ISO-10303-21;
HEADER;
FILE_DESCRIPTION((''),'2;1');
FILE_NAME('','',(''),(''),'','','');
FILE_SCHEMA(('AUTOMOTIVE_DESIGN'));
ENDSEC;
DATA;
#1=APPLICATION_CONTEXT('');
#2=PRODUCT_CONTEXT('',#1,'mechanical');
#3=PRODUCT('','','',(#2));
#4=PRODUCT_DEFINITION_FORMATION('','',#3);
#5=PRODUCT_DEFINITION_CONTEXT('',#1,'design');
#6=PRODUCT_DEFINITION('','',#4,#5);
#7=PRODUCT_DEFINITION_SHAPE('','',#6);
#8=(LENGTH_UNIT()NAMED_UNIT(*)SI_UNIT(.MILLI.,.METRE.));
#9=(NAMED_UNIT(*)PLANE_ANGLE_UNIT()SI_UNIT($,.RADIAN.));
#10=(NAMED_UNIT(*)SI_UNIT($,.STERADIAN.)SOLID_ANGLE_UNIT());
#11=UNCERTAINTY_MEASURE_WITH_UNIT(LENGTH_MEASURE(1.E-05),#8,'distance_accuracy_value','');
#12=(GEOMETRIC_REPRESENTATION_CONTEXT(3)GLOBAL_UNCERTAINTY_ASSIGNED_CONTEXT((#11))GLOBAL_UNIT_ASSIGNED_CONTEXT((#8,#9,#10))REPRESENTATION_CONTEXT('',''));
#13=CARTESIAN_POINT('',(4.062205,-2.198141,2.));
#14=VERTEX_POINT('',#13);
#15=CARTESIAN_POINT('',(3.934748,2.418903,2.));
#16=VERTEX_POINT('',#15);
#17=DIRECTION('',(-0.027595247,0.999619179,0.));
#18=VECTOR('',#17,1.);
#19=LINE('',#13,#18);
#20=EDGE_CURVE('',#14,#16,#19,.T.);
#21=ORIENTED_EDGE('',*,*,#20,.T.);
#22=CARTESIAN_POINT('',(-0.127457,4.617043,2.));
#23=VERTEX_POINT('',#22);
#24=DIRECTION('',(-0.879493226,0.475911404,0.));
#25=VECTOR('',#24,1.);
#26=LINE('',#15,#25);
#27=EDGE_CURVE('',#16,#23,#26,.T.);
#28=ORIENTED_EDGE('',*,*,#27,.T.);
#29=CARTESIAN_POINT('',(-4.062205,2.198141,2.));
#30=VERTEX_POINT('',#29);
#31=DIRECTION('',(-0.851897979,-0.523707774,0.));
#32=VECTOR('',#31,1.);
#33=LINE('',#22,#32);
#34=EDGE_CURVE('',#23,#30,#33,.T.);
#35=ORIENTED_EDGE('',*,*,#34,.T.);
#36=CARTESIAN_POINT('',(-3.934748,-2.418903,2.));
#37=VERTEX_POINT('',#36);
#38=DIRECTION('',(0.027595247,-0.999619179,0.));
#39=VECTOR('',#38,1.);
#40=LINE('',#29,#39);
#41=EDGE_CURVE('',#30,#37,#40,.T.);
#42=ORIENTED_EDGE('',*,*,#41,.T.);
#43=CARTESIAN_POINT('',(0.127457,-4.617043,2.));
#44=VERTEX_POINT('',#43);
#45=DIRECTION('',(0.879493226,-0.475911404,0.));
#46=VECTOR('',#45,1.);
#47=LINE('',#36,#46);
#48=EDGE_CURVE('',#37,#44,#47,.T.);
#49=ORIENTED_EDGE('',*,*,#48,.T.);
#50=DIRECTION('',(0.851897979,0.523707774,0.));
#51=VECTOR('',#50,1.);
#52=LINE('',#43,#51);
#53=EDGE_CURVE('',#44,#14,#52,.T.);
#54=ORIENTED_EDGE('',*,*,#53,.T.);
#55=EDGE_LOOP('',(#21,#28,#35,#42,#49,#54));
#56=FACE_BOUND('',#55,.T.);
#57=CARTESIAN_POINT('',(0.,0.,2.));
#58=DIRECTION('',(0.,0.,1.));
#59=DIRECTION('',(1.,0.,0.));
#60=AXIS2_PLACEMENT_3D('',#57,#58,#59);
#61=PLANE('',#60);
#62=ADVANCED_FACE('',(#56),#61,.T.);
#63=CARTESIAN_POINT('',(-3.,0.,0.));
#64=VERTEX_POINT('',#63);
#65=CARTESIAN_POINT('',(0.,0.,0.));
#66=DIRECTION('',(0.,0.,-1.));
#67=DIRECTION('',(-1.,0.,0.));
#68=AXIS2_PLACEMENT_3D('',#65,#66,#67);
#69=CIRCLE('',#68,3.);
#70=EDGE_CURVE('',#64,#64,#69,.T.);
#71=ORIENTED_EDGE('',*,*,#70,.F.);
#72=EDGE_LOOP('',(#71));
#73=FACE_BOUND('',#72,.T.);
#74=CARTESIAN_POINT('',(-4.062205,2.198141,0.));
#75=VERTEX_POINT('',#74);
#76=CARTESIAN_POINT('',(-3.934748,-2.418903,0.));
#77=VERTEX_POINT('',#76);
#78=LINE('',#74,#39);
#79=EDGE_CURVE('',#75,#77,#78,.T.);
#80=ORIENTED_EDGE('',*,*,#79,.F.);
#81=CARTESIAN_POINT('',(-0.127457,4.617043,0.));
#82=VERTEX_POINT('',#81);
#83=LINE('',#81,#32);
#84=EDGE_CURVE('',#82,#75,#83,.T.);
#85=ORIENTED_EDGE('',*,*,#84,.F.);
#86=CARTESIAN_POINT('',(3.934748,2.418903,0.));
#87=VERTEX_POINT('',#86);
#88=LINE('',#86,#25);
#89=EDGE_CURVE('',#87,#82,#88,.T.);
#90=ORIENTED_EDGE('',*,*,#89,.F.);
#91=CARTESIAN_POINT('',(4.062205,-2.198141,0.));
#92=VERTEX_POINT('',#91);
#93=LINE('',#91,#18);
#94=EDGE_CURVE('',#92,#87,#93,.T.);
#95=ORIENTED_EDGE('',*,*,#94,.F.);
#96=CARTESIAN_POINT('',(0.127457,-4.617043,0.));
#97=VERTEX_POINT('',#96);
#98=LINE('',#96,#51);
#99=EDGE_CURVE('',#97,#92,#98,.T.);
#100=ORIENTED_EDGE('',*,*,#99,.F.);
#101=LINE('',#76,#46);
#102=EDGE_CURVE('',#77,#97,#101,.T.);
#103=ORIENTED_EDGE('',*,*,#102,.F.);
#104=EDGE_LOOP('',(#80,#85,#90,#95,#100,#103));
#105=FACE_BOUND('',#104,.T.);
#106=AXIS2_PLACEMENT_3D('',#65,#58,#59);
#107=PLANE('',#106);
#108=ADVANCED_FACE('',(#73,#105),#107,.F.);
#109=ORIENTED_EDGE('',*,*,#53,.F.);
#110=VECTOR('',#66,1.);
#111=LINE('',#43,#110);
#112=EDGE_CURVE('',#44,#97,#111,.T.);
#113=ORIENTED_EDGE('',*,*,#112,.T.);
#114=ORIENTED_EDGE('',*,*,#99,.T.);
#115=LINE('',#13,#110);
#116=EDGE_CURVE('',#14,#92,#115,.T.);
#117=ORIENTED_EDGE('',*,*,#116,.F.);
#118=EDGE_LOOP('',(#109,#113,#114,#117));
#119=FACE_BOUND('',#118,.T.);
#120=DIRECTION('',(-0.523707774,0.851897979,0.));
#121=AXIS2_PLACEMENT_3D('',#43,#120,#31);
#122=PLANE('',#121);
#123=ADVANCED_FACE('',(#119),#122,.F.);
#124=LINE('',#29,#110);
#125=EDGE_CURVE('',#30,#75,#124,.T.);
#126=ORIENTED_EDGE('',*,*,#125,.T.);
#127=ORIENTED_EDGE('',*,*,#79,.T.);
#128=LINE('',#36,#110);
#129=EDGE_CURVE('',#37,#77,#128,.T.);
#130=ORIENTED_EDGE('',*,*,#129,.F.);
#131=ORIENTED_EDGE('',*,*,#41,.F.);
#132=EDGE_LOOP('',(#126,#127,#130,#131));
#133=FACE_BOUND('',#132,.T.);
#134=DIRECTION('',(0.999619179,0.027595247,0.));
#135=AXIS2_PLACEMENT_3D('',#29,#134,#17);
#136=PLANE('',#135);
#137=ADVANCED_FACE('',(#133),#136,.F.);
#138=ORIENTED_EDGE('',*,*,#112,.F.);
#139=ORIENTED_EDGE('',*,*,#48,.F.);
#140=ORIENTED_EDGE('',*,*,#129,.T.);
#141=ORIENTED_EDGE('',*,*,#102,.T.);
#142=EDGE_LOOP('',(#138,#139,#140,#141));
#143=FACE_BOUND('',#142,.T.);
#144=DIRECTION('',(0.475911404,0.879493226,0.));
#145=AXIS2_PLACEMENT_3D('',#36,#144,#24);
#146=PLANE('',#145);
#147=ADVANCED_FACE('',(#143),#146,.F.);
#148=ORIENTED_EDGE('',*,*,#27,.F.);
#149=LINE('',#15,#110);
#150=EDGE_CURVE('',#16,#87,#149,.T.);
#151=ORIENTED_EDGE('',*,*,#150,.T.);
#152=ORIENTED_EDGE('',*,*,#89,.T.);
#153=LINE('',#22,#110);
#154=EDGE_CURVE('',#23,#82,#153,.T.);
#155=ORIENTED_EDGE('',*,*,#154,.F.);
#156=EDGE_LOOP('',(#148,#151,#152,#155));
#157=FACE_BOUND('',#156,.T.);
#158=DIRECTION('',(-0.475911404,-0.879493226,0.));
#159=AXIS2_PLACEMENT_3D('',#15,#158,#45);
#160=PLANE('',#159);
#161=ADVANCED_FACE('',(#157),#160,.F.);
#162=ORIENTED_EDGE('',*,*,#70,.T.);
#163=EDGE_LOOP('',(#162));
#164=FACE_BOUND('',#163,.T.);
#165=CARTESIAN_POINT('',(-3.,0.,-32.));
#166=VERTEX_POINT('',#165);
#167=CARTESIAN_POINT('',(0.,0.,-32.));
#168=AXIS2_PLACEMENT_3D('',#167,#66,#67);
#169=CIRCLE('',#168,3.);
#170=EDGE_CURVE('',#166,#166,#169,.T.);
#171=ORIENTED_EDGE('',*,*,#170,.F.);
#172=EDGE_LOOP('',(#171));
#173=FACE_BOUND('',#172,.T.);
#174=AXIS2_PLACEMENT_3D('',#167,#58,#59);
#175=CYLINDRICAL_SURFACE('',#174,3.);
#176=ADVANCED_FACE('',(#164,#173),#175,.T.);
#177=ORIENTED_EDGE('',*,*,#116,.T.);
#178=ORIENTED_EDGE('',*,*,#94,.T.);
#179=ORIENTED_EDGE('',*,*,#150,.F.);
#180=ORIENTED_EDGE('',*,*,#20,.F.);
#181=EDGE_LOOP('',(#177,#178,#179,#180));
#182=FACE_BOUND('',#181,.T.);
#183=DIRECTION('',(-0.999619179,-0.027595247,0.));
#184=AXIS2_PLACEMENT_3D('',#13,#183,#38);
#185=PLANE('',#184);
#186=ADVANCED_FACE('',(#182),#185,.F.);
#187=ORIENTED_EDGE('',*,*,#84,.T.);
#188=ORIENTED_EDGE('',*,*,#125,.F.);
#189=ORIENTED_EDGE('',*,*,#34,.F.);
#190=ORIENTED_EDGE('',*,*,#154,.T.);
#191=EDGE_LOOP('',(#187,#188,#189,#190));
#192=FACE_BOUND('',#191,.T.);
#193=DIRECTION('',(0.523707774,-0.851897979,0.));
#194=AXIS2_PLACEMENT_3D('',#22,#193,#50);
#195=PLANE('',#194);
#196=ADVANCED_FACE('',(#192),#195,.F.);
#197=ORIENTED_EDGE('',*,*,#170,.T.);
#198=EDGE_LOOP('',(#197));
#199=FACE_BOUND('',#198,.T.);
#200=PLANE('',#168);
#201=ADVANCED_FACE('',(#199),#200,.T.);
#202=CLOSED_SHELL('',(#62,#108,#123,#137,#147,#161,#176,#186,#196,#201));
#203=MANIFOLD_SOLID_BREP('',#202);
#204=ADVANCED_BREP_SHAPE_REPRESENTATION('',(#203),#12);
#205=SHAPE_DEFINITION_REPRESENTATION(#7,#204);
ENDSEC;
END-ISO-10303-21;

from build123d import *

# Parameters (mm, degrees)
BOSS_EXTRUDE1_DEPTH = 2
SKETCH4_R           = 3
BOSS_EXTRUDE2_DEPTH = 32


with BuildPart() as part:
    # Sketch2 → Boss-Extrude1 (new body)
    with BuildSketch(Plane.XY):
        Polygon((3.934748222, 2.418902595), (-0.127456986, 4.617043215), (-4.062205208, 2.19814062), (-3.934748222, -2.418902595), (0.127456986, -4.617043215), (4.062205208, -2.19814062), align=None)
    extrude(amount=BOSS_EXTRUDE1_DEPTH)

    # Sketch4 → Boss-Extrude2 (add)
    with BuildSketch(Plane(origin=(0, 0, 0), x_dir=(-1, 0, 0), z_dir=(0, 0, -1))):
        Circle(SKETCH4_R)
    extrude(amount=BOSS_EXTRUDE2_DEPTH)


solid = part.part
